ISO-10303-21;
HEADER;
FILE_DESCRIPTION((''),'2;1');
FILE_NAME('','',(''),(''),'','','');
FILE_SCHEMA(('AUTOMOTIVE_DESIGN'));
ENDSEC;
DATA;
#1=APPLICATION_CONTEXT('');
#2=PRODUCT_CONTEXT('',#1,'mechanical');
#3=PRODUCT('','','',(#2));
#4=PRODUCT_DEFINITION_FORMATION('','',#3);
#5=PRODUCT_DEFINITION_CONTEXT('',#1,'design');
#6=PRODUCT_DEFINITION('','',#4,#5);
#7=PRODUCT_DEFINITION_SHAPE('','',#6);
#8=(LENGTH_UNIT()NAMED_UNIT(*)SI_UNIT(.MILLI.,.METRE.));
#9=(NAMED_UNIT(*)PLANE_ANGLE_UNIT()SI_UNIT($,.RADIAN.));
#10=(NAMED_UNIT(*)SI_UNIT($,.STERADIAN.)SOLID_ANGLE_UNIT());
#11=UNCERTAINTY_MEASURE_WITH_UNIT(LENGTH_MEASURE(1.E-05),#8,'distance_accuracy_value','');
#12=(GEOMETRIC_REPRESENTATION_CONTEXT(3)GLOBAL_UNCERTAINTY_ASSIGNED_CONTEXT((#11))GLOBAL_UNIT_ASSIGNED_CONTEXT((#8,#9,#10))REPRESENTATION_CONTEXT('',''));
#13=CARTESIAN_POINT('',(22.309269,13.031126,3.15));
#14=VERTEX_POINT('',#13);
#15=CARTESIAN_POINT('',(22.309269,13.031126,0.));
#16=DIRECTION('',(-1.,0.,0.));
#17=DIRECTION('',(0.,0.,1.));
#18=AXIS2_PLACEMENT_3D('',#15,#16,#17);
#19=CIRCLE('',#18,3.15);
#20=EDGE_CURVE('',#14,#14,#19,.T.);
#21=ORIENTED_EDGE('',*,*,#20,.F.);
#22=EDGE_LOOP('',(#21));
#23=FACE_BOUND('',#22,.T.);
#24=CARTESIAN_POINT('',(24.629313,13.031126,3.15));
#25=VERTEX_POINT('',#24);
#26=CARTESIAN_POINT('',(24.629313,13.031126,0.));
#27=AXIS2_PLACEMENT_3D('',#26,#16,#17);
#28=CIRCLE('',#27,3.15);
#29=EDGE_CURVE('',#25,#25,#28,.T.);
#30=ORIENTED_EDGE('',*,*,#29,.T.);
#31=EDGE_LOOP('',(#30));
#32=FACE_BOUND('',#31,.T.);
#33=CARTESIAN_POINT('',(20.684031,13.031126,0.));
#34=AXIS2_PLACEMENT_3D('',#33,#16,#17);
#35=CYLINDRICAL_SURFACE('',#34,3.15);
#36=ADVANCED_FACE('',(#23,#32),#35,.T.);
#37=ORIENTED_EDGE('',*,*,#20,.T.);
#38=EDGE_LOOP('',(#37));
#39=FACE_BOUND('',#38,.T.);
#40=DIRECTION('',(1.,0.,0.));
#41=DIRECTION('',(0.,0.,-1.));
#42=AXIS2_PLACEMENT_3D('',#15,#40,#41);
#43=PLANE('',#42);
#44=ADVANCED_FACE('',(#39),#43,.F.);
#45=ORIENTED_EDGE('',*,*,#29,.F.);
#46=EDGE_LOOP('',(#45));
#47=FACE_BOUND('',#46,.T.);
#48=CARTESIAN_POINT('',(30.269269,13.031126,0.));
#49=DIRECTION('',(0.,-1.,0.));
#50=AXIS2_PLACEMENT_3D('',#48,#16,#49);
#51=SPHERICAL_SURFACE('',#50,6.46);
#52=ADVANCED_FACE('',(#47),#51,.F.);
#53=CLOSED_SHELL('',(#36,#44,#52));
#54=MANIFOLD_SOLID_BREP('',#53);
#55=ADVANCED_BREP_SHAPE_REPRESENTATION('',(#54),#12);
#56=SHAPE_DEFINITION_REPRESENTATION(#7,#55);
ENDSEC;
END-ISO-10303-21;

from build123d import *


with BuildPart() as part:
    # 草图1 → 旋转1 (revolve)
    with BuildSketch(Plane.XY, mode=Mode.PRIVATE) as revolve_1_sk:
        with BuildLine():
            Line((22.309268833, 13.031126091), (22.309268833, 16.181126091))
            Line((22.309268833, 16.181126091), (24.629313159, 16.181126091))
            ThreePointArc((24.629313159, 16.181126091), (24.017640499, 14.658622074), (23.809268833, 13.031126091))
            Line((23.809268833, 13.031126091), (22.309268833, 13.031126091))
        make_face()
    revolve(revolve_1_sk.sketch.rotate(Axis((20.684030635, 13.031126091, 0), (1, 0, 0)), 180), axis=Axis((20.684030635, 13.031126091, 0), (1, 0, 0)))  # turned: the seam where the file's is


solid = part.part
